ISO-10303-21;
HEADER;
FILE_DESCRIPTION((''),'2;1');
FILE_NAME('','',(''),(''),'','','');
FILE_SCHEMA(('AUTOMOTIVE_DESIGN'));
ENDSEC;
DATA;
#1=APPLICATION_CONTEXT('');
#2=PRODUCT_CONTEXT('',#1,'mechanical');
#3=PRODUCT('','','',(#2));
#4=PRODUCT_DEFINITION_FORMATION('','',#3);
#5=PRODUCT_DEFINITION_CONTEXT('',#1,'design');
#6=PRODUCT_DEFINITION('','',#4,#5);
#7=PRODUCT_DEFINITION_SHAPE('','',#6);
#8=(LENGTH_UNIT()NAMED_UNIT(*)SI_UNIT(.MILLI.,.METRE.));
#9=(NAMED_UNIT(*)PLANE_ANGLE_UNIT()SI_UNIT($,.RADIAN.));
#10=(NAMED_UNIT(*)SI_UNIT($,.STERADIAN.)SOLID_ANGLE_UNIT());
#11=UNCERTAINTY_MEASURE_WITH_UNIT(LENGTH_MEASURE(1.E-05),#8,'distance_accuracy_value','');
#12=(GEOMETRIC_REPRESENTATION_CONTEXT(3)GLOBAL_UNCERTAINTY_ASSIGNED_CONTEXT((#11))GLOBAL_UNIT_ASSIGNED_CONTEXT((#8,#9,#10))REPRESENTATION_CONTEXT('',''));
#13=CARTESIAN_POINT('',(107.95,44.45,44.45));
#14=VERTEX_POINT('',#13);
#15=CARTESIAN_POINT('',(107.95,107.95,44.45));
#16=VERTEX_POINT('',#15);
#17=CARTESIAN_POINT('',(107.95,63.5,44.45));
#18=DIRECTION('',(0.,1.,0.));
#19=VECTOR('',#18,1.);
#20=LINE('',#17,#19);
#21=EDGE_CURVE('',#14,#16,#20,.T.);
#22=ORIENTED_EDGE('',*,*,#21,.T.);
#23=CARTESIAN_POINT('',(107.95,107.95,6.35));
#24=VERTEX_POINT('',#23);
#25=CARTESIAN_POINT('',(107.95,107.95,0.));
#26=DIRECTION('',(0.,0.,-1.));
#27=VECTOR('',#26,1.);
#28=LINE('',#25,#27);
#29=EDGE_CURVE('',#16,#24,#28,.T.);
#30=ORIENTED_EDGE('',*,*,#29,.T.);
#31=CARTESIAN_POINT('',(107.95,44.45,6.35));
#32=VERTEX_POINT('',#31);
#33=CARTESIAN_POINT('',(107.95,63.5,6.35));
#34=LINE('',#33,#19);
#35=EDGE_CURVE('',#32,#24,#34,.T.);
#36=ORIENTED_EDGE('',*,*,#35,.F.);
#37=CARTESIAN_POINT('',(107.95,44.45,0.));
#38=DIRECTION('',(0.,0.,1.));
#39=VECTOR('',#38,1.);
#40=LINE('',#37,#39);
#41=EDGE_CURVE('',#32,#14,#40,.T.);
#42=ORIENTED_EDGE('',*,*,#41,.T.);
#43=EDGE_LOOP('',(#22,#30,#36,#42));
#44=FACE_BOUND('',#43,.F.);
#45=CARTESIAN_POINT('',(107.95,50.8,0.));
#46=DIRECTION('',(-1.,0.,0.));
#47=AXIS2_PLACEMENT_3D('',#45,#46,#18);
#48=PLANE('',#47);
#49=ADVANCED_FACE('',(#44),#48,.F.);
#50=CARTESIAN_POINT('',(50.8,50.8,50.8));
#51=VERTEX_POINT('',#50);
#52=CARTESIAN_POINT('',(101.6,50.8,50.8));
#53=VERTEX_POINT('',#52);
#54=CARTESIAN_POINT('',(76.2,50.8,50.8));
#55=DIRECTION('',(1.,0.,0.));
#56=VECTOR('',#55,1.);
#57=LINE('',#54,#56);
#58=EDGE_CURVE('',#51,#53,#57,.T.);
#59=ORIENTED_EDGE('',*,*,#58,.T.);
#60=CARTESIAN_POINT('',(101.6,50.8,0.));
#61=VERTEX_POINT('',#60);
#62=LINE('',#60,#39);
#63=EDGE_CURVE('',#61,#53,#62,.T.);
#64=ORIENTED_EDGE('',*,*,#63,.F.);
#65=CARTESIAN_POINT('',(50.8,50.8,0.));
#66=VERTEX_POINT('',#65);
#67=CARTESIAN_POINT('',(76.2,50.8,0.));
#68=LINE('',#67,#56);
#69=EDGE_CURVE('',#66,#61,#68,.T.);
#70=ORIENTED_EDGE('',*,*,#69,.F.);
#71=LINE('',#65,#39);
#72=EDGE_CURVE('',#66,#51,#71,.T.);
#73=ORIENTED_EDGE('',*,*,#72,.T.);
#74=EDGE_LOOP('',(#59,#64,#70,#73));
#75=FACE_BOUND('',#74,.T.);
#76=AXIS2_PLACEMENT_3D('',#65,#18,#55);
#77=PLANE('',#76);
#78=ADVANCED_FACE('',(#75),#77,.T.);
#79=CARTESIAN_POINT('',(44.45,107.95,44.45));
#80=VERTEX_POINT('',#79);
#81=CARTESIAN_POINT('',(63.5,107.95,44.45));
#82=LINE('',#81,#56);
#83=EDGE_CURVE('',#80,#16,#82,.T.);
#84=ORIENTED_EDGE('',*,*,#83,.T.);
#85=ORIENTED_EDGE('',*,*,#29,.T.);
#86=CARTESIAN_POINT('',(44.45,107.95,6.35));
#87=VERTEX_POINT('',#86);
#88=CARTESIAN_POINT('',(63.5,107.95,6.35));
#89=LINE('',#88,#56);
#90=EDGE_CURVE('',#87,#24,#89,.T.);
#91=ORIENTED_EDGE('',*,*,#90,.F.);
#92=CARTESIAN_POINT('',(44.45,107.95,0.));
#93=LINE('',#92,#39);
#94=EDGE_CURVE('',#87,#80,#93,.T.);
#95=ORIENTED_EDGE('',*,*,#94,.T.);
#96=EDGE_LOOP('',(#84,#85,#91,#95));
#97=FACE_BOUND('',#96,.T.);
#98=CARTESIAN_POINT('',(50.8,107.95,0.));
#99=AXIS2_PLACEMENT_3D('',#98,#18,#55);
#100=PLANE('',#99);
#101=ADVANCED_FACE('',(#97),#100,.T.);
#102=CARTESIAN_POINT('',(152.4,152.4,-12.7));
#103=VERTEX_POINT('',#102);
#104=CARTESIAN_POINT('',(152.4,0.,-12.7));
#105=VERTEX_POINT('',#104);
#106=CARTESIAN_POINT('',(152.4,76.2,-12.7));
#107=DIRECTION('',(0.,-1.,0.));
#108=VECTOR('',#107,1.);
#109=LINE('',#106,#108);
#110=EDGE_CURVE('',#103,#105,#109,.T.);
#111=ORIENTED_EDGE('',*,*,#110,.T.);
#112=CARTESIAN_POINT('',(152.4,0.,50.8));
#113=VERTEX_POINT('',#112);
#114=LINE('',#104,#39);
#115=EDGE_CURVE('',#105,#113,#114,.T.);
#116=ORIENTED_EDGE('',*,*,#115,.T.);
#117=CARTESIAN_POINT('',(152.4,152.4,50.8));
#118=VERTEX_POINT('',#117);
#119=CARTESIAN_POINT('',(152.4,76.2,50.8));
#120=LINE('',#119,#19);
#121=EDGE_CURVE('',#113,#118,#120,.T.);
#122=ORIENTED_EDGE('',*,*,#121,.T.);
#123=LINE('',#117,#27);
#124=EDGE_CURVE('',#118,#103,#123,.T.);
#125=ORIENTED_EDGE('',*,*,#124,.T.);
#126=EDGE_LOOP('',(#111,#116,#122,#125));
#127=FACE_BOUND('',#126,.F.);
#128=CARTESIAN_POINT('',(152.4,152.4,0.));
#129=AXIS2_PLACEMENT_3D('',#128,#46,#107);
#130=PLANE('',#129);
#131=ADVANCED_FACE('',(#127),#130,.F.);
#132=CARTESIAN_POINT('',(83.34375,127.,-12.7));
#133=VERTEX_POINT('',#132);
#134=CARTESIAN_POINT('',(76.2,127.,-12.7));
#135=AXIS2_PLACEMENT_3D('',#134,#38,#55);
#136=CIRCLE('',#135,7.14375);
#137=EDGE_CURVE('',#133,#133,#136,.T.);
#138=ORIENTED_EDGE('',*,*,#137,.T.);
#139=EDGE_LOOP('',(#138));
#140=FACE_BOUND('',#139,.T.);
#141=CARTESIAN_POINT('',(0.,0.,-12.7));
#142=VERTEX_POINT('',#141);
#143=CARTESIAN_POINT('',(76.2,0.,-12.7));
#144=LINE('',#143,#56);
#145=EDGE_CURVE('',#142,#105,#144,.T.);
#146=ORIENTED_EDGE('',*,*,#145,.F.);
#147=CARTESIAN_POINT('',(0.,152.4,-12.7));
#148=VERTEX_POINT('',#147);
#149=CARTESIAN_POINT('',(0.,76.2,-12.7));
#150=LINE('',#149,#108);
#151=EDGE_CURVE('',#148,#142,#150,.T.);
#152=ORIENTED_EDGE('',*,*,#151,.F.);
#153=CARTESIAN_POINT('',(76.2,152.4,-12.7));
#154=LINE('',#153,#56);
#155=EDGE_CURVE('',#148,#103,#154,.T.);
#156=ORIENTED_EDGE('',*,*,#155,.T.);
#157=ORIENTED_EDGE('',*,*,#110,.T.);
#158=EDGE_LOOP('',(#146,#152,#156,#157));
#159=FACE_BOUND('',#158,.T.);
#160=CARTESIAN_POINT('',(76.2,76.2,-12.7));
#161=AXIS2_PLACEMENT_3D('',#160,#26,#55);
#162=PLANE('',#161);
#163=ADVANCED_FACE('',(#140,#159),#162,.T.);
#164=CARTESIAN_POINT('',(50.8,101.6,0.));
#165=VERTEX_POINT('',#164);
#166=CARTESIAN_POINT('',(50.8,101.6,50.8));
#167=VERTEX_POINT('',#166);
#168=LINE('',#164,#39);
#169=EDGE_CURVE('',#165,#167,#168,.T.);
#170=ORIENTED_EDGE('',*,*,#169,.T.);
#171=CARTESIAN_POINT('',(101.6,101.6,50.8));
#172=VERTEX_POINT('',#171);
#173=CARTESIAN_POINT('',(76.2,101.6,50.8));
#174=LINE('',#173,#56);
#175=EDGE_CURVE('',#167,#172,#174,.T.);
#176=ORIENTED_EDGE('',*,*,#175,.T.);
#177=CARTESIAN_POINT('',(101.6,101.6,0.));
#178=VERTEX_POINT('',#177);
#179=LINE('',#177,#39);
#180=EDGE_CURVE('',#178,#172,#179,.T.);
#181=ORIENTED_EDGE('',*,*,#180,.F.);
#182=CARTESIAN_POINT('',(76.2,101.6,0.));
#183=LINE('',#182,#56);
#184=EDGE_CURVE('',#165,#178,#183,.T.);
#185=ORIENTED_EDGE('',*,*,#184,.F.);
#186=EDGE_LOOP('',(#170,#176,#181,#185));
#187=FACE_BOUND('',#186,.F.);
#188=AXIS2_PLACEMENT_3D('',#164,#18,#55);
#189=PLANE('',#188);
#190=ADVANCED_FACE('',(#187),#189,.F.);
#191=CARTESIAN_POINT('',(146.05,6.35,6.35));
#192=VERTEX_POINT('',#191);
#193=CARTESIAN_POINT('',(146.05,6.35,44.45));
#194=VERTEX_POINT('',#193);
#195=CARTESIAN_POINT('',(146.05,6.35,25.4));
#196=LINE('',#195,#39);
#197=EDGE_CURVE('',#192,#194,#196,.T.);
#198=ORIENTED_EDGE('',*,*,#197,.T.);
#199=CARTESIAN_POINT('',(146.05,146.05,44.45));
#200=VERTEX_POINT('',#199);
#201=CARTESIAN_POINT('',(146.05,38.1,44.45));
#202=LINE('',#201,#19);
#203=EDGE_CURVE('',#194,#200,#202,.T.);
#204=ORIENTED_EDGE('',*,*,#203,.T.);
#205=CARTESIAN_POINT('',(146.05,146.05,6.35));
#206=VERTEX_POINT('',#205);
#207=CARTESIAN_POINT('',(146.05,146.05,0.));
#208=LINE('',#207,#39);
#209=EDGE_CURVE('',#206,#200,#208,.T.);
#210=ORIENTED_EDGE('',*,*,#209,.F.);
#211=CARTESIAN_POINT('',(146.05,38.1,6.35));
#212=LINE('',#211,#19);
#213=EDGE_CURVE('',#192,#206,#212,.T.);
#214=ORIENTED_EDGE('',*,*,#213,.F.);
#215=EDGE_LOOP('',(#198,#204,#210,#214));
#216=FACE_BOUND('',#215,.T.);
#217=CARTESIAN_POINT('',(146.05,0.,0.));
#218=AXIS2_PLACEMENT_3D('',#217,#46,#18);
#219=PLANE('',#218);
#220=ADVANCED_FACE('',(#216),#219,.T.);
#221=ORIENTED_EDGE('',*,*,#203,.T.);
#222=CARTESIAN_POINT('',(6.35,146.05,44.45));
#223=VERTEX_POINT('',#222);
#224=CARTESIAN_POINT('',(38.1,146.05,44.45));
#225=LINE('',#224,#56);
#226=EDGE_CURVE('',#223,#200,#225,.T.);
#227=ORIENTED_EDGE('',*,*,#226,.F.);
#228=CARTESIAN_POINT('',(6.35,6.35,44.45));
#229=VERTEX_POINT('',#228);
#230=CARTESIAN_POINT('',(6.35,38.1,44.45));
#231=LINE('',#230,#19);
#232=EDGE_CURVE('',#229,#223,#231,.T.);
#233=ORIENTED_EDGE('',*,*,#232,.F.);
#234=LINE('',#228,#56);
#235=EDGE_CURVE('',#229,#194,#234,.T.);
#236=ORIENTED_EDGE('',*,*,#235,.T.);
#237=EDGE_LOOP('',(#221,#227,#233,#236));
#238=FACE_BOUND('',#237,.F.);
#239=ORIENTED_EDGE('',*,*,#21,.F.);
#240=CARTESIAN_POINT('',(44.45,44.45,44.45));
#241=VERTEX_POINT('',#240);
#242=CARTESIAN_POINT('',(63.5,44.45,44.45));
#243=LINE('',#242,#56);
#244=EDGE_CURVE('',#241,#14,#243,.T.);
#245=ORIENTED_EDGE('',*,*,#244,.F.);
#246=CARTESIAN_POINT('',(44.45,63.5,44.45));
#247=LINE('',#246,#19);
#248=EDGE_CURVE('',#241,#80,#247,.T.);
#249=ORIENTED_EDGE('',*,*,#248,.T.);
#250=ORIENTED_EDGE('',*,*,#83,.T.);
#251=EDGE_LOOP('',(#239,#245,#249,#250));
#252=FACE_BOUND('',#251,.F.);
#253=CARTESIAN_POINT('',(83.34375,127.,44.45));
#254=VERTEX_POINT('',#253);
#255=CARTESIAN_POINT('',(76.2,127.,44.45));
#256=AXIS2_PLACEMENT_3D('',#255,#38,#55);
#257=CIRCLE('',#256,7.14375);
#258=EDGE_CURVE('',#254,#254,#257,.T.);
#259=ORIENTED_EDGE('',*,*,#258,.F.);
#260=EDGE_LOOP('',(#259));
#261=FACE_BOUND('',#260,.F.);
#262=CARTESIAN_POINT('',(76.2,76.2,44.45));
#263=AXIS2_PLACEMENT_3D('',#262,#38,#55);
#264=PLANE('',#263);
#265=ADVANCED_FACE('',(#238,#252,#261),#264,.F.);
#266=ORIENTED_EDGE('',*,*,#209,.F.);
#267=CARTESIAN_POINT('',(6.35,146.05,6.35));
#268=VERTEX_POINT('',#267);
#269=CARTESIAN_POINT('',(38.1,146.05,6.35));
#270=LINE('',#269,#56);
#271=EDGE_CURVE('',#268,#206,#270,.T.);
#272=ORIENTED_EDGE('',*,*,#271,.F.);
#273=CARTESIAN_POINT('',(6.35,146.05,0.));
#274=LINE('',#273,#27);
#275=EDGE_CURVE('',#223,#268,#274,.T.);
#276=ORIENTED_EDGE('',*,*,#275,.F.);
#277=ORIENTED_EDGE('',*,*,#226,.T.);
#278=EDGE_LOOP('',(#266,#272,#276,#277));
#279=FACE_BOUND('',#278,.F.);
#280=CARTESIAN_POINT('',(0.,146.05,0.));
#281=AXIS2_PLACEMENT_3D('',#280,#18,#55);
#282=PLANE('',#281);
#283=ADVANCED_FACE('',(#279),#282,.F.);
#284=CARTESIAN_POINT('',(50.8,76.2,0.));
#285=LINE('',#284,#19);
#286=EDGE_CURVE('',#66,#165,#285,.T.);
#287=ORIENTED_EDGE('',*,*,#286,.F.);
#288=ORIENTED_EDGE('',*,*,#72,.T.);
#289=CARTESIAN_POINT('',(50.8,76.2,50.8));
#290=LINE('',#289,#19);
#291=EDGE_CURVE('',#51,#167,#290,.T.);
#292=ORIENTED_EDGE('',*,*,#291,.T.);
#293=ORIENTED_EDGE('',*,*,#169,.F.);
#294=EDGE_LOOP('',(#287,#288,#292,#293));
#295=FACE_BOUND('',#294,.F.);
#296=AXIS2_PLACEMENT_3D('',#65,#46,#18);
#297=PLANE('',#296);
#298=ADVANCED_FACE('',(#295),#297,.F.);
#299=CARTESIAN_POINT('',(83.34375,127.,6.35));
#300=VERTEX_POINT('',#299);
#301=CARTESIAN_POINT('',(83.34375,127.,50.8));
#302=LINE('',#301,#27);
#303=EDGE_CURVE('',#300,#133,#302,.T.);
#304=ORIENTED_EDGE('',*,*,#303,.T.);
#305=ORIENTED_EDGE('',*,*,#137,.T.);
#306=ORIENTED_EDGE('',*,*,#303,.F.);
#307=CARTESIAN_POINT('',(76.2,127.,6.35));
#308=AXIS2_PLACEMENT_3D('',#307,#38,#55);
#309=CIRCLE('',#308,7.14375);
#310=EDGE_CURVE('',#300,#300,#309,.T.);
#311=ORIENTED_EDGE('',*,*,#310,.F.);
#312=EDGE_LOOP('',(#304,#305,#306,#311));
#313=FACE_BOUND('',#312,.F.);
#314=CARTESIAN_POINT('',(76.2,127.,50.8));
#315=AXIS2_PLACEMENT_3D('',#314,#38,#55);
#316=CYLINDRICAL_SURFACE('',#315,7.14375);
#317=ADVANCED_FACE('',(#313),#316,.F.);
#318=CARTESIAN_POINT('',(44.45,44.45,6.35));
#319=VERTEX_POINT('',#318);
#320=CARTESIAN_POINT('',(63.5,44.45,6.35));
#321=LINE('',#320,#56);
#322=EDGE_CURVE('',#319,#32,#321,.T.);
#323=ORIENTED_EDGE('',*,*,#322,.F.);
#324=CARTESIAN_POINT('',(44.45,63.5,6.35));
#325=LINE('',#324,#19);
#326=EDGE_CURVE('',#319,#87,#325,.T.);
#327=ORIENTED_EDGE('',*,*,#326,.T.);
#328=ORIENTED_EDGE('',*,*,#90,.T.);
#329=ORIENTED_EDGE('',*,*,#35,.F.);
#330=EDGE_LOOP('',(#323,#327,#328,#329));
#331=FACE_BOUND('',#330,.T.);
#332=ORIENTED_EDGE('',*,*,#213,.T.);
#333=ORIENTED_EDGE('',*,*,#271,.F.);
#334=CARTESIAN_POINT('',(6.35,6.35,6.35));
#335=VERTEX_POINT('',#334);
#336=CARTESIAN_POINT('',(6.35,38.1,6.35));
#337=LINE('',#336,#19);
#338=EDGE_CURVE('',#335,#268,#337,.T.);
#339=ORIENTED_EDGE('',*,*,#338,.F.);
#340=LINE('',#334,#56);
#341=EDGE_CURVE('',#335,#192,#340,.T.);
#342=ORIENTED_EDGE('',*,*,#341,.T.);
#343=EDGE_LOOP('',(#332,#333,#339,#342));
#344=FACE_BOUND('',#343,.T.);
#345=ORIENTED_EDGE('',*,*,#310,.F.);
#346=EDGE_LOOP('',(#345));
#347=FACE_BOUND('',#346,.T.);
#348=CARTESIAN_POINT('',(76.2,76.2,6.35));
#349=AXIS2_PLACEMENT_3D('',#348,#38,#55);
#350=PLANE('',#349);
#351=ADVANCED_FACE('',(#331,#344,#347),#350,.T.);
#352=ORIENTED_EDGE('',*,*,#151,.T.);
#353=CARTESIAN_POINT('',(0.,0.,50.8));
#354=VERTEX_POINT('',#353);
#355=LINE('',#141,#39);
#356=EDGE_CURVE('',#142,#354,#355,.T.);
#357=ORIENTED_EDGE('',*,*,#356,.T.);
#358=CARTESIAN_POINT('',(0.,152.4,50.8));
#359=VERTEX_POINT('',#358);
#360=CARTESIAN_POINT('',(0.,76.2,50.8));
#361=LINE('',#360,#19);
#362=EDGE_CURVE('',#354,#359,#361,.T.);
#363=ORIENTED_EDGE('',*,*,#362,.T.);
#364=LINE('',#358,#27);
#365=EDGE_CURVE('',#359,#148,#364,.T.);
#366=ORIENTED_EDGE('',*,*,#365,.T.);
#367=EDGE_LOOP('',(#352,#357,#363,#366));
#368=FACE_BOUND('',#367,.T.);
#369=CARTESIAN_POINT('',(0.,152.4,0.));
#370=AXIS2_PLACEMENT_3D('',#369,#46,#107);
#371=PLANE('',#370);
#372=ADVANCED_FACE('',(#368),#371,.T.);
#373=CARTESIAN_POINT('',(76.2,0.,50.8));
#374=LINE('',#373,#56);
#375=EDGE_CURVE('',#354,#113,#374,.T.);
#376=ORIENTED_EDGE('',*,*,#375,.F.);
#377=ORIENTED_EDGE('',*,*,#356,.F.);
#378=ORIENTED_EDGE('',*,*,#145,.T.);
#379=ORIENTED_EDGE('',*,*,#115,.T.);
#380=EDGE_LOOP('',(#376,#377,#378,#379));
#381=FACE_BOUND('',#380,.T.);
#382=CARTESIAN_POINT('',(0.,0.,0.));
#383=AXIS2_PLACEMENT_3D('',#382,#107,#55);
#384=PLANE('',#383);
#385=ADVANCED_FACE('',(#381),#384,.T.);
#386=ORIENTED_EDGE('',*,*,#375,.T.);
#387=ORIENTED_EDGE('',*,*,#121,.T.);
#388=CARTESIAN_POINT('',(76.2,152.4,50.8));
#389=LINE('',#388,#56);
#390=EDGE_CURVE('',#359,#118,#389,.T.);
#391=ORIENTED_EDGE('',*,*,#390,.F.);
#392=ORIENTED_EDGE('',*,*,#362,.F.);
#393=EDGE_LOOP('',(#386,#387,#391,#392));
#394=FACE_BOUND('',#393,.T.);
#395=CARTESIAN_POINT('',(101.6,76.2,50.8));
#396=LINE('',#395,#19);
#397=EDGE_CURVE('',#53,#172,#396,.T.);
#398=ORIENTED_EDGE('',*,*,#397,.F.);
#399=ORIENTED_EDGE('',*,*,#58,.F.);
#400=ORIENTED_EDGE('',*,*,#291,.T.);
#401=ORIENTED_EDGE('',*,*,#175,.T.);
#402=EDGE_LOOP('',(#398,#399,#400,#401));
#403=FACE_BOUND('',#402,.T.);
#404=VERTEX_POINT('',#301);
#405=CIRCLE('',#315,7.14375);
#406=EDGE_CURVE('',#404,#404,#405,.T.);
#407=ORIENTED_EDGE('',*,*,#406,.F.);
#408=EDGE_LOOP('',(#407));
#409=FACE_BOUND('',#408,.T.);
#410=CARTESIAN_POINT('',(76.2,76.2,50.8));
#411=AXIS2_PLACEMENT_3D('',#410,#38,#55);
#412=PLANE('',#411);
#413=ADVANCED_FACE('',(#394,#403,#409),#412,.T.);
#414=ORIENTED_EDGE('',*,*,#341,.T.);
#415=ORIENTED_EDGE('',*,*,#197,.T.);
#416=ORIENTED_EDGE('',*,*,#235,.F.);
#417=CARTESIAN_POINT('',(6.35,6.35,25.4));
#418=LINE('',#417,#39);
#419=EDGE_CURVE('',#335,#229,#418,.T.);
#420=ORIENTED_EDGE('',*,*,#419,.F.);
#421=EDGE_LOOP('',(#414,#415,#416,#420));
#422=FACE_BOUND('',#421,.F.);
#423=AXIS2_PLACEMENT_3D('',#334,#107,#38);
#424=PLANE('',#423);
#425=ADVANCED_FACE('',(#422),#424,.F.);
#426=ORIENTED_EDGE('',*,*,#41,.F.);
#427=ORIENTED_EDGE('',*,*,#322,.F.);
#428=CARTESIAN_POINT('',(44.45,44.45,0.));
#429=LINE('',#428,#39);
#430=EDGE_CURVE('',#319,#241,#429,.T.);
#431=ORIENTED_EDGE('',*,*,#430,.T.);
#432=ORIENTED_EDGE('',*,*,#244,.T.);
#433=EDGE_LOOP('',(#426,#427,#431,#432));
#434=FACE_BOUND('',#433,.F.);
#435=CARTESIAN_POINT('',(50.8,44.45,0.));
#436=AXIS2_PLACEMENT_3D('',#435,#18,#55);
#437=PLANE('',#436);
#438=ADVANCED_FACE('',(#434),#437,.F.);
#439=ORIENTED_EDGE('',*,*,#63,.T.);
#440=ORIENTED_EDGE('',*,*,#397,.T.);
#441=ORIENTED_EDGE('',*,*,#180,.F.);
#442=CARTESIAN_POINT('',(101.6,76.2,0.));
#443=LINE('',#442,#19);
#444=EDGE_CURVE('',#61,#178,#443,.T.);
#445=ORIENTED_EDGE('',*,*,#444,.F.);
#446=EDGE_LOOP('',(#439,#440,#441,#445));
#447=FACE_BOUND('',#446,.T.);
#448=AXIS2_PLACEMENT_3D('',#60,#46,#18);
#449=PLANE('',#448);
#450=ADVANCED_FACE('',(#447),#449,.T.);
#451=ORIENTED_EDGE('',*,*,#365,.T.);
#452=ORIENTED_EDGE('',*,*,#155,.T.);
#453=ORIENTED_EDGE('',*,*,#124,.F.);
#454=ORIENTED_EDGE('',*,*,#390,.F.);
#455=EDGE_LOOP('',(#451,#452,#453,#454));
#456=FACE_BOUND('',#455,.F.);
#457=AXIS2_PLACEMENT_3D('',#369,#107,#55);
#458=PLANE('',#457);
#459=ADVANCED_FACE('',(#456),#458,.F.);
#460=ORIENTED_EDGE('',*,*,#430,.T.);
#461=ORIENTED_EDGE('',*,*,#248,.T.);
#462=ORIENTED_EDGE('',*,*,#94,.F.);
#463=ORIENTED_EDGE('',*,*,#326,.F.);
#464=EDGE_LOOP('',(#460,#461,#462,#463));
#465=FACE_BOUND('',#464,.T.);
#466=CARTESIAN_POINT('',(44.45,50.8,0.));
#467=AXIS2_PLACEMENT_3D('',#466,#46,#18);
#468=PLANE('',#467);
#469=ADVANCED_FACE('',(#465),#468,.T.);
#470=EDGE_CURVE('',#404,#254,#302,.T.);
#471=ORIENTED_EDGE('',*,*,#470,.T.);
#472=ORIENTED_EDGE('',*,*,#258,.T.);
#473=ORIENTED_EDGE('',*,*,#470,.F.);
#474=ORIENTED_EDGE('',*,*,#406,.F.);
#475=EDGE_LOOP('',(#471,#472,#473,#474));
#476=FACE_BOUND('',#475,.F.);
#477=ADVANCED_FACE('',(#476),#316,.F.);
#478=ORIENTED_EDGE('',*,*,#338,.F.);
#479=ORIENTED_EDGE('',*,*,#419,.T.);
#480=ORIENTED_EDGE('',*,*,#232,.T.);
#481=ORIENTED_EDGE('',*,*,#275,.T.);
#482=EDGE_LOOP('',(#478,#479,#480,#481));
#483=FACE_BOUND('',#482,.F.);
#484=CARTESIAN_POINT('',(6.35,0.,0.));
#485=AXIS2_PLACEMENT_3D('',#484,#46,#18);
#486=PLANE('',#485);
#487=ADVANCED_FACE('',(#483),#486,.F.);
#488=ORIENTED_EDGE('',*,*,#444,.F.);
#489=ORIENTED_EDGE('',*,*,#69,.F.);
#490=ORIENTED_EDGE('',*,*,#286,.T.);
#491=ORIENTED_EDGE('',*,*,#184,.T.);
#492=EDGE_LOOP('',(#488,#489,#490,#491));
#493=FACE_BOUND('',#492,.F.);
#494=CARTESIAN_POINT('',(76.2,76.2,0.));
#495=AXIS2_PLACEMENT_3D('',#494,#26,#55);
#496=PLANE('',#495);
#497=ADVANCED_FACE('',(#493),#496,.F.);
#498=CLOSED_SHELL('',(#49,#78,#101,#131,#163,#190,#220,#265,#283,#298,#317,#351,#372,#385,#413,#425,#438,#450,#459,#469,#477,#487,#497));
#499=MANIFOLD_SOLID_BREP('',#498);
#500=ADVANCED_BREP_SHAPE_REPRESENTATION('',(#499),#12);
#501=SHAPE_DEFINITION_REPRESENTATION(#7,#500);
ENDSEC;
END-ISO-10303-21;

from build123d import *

# Parameters (mm, degrees)
F0_W     = 152.4
F0_H     = 152.4
F0_W_2   = 50.8
F0_H_2   = 50.8
F1_DEPTH = 50.8
F2_T     = -6.35
F3_W     = 6.35
F3_H     = 38.1
F4_DEPTH = 139.7
F5_W     = 152.4
F5_H     = 152.4
F6_DEPTH = 12.7
F7_R     = 7.14375
F8_DEPTH = 76.2


with BuildPart() as f1:
    # F0 (on Top) → F1 (new body)
    with BuildSketch(Plane.XY):
        with Locations((76.2, 76.2)):
            Rectangle(F0_W, F0_H)
        with Locations((76.2, 76.2)):
            Rectangle(F0_W_2, F0_H_2, mode=Mode.SUBTRACT)
    extrude(amount=F1_DEPTH)

    # F2
    f2_openings = [f1.faces().sort_by_distance(p)[0] for p in [
        (76.2, 0, 25.4),
    ]]
    offset(amount=F2_T, openings=f2_openings, kind=Kind.INTERSECTION)

    # F3 (on face) → F4 (join)
    with BuildSketch(Plane.YZ.offset(6.35)):
        with Locations((3.175, 25.4)):
            Rectangle(F3_W, F3_H)
    extrude(amount=F4_DEPTH)

    # F5 (on face) → F6 (join)
    with BuildSketch(Plane(origin=(0, 0, 0), x_dir=(1, 0, 0), z_dir=(0, 0, -1))):
        with Locations((76.2, -76.2)):
            Rectangle(F5_W, F5_H)
    extrude(amount=F6_DEPTH)

    # F7 (on face) → F8 (cut)
    with BuildSketch(Plane.XY.offset(50.8)):
        with Locations((76.2, 127)):
            Circle(F7_R)
    extrude(amount=-F8_DEPTH, mode=Mode.SUBTRACT)


solid = f1.part
